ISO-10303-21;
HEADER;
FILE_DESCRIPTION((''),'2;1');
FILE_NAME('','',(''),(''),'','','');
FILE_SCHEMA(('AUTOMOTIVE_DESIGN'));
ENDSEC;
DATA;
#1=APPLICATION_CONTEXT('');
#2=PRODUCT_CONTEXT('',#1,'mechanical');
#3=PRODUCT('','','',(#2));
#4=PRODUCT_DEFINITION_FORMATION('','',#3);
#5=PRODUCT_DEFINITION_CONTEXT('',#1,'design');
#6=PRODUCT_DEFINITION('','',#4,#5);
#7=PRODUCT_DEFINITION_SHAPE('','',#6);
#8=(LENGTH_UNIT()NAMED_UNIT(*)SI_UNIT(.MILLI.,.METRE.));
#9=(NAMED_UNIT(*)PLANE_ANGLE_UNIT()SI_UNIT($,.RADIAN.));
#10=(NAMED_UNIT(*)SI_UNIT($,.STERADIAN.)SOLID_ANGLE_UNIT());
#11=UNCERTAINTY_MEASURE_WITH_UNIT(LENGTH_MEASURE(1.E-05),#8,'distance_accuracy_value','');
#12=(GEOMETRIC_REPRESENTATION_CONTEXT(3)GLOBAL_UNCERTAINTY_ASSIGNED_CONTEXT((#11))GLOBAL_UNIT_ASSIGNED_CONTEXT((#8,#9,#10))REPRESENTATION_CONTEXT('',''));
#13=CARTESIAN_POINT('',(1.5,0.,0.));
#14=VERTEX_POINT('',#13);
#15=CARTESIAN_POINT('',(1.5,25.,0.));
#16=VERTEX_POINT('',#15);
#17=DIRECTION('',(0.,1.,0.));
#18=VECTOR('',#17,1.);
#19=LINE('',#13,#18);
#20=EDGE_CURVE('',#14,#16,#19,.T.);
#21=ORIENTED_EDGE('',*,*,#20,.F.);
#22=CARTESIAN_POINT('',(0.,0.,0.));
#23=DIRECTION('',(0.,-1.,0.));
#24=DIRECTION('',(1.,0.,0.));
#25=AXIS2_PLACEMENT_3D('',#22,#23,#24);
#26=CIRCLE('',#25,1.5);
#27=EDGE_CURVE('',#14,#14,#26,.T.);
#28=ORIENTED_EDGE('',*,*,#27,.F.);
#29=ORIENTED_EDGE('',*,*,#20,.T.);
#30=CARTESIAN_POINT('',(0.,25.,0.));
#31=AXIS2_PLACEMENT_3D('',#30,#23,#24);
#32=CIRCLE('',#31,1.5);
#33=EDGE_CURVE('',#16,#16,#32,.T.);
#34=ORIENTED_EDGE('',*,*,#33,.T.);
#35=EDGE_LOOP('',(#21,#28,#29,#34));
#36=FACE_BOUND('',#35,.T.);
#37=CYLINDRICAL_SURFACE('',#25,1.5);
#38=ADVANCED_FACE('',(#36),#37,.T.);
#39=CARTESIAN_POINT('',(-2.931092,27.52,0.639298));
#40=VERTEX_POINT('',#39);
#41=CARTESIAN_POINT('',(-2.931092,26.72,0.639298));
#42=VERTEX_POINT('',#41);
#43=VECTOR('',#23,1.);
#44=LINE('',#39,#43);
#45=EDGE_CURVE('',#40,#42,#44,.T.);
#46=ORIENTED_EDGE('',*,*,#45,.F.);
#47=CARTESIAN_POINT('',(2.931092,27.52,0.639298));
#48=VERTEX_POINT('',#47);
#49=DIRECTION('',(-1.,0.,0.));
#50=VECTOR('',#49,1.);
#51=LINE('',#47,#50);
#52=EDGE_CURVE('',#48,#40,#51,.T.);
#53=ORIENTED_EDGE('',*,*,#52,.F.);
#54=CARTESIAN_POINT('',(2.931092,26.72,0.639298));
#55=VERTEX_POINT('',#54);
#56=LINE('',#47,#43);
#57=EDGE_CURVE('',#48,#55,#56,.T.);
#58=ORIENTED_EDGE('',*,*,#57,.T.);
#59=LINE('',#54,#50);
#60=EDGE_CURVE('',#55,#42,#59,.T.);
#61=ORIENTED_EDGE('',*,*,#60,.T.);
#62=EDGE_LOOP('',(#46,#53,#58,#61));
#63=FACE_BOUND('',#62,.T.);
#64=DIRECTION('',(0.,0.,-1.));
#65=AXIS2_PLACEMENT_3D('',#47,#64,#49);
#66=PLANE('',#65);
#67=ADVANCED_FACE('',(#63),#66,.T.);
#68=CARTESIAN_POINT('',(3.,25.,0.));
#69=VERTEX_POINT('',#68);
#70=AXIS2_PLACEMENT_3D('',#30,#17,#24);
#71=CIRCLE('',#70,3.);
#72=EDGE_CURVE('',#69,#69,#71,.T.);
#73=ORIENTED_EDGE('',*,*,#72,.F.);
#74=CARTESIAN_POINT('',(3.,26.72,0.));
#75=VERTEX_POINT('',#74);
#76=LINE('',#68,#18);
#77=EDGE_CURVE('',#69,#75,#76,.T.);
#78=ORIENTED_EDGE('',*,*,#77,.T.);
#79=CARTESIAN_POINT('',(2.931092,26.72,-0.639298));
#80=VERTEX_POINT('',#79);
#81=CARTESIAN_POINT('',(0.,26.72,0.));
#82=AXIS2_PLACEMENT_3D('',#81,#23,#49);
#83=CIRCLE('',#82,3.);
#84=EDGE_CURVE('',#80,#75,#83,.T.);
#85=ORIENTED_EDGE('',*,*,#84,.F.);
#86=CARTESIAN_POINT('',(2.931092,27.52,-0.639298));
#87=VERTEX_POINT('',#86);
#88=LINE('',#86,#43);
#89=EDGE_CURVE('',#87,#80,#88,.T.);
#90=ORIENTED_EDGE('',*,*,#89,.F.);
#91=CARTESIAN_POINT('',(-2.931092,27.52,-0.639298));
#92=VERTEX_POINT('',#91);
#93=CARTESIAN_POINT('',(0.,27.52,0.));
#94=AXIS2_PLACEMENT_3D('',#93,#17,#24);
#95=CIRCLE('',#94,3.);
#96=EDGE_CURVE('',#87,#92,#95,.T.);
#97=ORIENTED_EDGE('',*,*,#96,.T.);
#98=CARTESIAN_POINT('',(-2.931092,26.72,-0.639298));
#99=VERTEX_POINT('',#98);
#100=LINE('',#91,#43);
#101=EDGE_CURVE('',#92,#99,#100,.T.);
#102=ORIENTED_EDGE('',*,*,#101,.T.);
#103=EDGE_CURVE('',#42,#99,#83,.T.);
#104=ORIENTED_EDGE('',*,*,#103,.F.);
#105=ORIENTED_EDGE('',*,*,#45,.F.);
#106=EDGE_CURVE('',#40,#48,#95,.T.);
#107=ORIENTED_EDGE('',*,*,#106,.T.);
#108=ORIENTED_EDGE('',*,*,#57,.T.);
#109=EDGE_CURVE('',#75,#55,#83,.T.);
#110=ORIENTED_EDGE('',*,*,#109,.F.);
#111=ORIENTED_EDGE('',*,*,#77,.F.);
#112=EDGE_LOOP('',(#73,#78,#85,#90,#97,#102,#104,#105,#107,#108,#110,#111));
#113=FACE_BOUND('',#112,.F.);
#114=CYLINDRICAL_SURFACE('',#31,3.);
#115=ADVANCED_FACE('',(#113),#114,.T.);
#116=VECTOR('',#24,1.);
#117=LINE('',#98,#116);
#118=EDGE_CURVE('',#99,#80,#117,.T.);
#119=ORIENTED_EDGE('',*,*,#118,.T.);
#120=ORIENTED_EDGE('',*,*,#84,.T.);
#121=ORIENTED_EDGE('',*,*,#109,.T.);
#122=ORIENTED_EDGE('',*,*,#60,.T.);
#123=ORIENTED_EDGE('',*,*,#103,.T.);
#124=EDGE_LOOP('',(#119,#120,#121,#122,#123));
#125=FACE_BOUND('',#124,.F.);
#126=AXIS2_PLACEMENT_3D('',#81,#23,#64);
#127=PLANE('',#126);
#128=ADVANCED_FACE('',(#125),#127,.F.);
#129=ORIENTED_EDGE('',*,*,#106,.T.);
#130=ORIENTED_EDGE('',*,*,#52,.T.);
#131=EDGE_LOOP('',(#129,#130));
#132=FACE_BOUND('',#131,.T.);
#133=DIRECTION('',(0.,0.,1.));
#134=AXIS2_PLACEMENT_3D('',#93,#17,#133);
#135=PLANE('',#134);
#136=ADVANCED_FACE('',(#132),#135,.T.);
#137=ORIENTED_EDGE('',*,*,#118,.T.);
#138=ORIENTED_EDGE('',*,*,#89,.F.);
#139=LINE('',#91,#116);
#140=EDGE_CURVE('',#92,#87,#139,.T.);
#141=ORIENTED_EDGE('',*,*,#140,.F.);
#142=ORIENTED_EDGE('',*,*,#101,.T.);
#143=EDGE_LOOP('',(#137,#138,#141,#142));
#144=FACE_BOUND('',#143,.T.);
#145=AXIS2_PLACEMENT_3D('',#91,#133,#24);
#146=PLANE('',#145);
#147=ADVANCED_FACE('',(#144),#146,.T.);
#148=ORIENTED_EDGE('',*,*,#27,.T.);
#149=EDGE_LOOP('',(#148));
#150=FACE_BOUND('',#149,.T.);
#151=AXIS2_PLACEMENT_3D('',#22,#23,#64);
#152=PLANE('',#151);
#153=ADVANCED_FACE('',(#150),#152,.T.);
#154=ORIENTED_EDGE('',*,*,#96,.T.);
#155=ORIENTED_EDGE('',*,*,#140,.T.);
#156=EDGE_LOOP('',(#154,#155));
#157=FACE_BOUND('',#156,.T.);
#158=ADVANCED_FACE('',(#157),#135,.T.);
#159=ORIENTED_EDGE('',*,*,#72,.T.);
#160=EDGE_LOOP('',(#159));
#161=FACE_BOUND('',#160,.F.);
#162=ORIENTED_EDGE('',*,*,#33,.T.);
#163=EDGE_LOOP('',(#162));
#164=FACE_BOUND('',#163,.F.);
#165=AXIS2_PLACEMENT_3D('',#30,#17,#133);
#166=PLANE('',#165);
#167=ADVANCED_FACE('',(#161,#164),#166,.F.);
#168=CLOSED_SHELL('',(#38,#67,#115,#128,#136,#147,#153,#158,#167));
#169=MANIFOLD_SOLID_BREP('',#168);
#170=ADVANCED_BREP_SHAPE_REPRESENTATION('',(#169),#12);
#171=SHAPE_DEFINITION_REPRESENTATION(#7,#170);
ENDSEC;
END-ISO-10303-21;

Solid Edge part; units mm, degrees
sketch "Sketch1" plane through (0, 0, 0) normal (0, -1, 0) x (1, 0, 0)
  circle A0 centre (0, 0) radius 1.5
extrude "Protrusion1" add sketch "Sketch1" against normal blind 25
sketch "Sketch2" plane through (0, 25, 0) normal (0, 1, 0) x (1, 0, 0)
  circle A0 centre (0, 0) radius 3
extrude "ExtrudedProtrusion_2" add sketch "Sketch2" along normal blind 2.52
sketch "Sketch3" plane through (0, 27.52, 0) normal (0, 1, 0) x (-1, 0, 0)
  line L0 (-2.9311, 0.6393) -> (2.9311, 0.6393)
  arc A0 (2.9311, 0.6393) -> (2.9311, -0.6393) centre (0, 0) cw
  line L1 (2.9311, -0.6393) -> (-2.9311, -0.6393)
  arc A1 (-2.9311, -0.6393) -> (-2.9311, 0.6393) centre (0, 0) cw
extrude "ExtrudedCutout_1" cut sketch "Sketch3" against normal blind 0.8
cosmetic_thread "Thread1" size "M3"
properties material "Nylon, general purpose"
